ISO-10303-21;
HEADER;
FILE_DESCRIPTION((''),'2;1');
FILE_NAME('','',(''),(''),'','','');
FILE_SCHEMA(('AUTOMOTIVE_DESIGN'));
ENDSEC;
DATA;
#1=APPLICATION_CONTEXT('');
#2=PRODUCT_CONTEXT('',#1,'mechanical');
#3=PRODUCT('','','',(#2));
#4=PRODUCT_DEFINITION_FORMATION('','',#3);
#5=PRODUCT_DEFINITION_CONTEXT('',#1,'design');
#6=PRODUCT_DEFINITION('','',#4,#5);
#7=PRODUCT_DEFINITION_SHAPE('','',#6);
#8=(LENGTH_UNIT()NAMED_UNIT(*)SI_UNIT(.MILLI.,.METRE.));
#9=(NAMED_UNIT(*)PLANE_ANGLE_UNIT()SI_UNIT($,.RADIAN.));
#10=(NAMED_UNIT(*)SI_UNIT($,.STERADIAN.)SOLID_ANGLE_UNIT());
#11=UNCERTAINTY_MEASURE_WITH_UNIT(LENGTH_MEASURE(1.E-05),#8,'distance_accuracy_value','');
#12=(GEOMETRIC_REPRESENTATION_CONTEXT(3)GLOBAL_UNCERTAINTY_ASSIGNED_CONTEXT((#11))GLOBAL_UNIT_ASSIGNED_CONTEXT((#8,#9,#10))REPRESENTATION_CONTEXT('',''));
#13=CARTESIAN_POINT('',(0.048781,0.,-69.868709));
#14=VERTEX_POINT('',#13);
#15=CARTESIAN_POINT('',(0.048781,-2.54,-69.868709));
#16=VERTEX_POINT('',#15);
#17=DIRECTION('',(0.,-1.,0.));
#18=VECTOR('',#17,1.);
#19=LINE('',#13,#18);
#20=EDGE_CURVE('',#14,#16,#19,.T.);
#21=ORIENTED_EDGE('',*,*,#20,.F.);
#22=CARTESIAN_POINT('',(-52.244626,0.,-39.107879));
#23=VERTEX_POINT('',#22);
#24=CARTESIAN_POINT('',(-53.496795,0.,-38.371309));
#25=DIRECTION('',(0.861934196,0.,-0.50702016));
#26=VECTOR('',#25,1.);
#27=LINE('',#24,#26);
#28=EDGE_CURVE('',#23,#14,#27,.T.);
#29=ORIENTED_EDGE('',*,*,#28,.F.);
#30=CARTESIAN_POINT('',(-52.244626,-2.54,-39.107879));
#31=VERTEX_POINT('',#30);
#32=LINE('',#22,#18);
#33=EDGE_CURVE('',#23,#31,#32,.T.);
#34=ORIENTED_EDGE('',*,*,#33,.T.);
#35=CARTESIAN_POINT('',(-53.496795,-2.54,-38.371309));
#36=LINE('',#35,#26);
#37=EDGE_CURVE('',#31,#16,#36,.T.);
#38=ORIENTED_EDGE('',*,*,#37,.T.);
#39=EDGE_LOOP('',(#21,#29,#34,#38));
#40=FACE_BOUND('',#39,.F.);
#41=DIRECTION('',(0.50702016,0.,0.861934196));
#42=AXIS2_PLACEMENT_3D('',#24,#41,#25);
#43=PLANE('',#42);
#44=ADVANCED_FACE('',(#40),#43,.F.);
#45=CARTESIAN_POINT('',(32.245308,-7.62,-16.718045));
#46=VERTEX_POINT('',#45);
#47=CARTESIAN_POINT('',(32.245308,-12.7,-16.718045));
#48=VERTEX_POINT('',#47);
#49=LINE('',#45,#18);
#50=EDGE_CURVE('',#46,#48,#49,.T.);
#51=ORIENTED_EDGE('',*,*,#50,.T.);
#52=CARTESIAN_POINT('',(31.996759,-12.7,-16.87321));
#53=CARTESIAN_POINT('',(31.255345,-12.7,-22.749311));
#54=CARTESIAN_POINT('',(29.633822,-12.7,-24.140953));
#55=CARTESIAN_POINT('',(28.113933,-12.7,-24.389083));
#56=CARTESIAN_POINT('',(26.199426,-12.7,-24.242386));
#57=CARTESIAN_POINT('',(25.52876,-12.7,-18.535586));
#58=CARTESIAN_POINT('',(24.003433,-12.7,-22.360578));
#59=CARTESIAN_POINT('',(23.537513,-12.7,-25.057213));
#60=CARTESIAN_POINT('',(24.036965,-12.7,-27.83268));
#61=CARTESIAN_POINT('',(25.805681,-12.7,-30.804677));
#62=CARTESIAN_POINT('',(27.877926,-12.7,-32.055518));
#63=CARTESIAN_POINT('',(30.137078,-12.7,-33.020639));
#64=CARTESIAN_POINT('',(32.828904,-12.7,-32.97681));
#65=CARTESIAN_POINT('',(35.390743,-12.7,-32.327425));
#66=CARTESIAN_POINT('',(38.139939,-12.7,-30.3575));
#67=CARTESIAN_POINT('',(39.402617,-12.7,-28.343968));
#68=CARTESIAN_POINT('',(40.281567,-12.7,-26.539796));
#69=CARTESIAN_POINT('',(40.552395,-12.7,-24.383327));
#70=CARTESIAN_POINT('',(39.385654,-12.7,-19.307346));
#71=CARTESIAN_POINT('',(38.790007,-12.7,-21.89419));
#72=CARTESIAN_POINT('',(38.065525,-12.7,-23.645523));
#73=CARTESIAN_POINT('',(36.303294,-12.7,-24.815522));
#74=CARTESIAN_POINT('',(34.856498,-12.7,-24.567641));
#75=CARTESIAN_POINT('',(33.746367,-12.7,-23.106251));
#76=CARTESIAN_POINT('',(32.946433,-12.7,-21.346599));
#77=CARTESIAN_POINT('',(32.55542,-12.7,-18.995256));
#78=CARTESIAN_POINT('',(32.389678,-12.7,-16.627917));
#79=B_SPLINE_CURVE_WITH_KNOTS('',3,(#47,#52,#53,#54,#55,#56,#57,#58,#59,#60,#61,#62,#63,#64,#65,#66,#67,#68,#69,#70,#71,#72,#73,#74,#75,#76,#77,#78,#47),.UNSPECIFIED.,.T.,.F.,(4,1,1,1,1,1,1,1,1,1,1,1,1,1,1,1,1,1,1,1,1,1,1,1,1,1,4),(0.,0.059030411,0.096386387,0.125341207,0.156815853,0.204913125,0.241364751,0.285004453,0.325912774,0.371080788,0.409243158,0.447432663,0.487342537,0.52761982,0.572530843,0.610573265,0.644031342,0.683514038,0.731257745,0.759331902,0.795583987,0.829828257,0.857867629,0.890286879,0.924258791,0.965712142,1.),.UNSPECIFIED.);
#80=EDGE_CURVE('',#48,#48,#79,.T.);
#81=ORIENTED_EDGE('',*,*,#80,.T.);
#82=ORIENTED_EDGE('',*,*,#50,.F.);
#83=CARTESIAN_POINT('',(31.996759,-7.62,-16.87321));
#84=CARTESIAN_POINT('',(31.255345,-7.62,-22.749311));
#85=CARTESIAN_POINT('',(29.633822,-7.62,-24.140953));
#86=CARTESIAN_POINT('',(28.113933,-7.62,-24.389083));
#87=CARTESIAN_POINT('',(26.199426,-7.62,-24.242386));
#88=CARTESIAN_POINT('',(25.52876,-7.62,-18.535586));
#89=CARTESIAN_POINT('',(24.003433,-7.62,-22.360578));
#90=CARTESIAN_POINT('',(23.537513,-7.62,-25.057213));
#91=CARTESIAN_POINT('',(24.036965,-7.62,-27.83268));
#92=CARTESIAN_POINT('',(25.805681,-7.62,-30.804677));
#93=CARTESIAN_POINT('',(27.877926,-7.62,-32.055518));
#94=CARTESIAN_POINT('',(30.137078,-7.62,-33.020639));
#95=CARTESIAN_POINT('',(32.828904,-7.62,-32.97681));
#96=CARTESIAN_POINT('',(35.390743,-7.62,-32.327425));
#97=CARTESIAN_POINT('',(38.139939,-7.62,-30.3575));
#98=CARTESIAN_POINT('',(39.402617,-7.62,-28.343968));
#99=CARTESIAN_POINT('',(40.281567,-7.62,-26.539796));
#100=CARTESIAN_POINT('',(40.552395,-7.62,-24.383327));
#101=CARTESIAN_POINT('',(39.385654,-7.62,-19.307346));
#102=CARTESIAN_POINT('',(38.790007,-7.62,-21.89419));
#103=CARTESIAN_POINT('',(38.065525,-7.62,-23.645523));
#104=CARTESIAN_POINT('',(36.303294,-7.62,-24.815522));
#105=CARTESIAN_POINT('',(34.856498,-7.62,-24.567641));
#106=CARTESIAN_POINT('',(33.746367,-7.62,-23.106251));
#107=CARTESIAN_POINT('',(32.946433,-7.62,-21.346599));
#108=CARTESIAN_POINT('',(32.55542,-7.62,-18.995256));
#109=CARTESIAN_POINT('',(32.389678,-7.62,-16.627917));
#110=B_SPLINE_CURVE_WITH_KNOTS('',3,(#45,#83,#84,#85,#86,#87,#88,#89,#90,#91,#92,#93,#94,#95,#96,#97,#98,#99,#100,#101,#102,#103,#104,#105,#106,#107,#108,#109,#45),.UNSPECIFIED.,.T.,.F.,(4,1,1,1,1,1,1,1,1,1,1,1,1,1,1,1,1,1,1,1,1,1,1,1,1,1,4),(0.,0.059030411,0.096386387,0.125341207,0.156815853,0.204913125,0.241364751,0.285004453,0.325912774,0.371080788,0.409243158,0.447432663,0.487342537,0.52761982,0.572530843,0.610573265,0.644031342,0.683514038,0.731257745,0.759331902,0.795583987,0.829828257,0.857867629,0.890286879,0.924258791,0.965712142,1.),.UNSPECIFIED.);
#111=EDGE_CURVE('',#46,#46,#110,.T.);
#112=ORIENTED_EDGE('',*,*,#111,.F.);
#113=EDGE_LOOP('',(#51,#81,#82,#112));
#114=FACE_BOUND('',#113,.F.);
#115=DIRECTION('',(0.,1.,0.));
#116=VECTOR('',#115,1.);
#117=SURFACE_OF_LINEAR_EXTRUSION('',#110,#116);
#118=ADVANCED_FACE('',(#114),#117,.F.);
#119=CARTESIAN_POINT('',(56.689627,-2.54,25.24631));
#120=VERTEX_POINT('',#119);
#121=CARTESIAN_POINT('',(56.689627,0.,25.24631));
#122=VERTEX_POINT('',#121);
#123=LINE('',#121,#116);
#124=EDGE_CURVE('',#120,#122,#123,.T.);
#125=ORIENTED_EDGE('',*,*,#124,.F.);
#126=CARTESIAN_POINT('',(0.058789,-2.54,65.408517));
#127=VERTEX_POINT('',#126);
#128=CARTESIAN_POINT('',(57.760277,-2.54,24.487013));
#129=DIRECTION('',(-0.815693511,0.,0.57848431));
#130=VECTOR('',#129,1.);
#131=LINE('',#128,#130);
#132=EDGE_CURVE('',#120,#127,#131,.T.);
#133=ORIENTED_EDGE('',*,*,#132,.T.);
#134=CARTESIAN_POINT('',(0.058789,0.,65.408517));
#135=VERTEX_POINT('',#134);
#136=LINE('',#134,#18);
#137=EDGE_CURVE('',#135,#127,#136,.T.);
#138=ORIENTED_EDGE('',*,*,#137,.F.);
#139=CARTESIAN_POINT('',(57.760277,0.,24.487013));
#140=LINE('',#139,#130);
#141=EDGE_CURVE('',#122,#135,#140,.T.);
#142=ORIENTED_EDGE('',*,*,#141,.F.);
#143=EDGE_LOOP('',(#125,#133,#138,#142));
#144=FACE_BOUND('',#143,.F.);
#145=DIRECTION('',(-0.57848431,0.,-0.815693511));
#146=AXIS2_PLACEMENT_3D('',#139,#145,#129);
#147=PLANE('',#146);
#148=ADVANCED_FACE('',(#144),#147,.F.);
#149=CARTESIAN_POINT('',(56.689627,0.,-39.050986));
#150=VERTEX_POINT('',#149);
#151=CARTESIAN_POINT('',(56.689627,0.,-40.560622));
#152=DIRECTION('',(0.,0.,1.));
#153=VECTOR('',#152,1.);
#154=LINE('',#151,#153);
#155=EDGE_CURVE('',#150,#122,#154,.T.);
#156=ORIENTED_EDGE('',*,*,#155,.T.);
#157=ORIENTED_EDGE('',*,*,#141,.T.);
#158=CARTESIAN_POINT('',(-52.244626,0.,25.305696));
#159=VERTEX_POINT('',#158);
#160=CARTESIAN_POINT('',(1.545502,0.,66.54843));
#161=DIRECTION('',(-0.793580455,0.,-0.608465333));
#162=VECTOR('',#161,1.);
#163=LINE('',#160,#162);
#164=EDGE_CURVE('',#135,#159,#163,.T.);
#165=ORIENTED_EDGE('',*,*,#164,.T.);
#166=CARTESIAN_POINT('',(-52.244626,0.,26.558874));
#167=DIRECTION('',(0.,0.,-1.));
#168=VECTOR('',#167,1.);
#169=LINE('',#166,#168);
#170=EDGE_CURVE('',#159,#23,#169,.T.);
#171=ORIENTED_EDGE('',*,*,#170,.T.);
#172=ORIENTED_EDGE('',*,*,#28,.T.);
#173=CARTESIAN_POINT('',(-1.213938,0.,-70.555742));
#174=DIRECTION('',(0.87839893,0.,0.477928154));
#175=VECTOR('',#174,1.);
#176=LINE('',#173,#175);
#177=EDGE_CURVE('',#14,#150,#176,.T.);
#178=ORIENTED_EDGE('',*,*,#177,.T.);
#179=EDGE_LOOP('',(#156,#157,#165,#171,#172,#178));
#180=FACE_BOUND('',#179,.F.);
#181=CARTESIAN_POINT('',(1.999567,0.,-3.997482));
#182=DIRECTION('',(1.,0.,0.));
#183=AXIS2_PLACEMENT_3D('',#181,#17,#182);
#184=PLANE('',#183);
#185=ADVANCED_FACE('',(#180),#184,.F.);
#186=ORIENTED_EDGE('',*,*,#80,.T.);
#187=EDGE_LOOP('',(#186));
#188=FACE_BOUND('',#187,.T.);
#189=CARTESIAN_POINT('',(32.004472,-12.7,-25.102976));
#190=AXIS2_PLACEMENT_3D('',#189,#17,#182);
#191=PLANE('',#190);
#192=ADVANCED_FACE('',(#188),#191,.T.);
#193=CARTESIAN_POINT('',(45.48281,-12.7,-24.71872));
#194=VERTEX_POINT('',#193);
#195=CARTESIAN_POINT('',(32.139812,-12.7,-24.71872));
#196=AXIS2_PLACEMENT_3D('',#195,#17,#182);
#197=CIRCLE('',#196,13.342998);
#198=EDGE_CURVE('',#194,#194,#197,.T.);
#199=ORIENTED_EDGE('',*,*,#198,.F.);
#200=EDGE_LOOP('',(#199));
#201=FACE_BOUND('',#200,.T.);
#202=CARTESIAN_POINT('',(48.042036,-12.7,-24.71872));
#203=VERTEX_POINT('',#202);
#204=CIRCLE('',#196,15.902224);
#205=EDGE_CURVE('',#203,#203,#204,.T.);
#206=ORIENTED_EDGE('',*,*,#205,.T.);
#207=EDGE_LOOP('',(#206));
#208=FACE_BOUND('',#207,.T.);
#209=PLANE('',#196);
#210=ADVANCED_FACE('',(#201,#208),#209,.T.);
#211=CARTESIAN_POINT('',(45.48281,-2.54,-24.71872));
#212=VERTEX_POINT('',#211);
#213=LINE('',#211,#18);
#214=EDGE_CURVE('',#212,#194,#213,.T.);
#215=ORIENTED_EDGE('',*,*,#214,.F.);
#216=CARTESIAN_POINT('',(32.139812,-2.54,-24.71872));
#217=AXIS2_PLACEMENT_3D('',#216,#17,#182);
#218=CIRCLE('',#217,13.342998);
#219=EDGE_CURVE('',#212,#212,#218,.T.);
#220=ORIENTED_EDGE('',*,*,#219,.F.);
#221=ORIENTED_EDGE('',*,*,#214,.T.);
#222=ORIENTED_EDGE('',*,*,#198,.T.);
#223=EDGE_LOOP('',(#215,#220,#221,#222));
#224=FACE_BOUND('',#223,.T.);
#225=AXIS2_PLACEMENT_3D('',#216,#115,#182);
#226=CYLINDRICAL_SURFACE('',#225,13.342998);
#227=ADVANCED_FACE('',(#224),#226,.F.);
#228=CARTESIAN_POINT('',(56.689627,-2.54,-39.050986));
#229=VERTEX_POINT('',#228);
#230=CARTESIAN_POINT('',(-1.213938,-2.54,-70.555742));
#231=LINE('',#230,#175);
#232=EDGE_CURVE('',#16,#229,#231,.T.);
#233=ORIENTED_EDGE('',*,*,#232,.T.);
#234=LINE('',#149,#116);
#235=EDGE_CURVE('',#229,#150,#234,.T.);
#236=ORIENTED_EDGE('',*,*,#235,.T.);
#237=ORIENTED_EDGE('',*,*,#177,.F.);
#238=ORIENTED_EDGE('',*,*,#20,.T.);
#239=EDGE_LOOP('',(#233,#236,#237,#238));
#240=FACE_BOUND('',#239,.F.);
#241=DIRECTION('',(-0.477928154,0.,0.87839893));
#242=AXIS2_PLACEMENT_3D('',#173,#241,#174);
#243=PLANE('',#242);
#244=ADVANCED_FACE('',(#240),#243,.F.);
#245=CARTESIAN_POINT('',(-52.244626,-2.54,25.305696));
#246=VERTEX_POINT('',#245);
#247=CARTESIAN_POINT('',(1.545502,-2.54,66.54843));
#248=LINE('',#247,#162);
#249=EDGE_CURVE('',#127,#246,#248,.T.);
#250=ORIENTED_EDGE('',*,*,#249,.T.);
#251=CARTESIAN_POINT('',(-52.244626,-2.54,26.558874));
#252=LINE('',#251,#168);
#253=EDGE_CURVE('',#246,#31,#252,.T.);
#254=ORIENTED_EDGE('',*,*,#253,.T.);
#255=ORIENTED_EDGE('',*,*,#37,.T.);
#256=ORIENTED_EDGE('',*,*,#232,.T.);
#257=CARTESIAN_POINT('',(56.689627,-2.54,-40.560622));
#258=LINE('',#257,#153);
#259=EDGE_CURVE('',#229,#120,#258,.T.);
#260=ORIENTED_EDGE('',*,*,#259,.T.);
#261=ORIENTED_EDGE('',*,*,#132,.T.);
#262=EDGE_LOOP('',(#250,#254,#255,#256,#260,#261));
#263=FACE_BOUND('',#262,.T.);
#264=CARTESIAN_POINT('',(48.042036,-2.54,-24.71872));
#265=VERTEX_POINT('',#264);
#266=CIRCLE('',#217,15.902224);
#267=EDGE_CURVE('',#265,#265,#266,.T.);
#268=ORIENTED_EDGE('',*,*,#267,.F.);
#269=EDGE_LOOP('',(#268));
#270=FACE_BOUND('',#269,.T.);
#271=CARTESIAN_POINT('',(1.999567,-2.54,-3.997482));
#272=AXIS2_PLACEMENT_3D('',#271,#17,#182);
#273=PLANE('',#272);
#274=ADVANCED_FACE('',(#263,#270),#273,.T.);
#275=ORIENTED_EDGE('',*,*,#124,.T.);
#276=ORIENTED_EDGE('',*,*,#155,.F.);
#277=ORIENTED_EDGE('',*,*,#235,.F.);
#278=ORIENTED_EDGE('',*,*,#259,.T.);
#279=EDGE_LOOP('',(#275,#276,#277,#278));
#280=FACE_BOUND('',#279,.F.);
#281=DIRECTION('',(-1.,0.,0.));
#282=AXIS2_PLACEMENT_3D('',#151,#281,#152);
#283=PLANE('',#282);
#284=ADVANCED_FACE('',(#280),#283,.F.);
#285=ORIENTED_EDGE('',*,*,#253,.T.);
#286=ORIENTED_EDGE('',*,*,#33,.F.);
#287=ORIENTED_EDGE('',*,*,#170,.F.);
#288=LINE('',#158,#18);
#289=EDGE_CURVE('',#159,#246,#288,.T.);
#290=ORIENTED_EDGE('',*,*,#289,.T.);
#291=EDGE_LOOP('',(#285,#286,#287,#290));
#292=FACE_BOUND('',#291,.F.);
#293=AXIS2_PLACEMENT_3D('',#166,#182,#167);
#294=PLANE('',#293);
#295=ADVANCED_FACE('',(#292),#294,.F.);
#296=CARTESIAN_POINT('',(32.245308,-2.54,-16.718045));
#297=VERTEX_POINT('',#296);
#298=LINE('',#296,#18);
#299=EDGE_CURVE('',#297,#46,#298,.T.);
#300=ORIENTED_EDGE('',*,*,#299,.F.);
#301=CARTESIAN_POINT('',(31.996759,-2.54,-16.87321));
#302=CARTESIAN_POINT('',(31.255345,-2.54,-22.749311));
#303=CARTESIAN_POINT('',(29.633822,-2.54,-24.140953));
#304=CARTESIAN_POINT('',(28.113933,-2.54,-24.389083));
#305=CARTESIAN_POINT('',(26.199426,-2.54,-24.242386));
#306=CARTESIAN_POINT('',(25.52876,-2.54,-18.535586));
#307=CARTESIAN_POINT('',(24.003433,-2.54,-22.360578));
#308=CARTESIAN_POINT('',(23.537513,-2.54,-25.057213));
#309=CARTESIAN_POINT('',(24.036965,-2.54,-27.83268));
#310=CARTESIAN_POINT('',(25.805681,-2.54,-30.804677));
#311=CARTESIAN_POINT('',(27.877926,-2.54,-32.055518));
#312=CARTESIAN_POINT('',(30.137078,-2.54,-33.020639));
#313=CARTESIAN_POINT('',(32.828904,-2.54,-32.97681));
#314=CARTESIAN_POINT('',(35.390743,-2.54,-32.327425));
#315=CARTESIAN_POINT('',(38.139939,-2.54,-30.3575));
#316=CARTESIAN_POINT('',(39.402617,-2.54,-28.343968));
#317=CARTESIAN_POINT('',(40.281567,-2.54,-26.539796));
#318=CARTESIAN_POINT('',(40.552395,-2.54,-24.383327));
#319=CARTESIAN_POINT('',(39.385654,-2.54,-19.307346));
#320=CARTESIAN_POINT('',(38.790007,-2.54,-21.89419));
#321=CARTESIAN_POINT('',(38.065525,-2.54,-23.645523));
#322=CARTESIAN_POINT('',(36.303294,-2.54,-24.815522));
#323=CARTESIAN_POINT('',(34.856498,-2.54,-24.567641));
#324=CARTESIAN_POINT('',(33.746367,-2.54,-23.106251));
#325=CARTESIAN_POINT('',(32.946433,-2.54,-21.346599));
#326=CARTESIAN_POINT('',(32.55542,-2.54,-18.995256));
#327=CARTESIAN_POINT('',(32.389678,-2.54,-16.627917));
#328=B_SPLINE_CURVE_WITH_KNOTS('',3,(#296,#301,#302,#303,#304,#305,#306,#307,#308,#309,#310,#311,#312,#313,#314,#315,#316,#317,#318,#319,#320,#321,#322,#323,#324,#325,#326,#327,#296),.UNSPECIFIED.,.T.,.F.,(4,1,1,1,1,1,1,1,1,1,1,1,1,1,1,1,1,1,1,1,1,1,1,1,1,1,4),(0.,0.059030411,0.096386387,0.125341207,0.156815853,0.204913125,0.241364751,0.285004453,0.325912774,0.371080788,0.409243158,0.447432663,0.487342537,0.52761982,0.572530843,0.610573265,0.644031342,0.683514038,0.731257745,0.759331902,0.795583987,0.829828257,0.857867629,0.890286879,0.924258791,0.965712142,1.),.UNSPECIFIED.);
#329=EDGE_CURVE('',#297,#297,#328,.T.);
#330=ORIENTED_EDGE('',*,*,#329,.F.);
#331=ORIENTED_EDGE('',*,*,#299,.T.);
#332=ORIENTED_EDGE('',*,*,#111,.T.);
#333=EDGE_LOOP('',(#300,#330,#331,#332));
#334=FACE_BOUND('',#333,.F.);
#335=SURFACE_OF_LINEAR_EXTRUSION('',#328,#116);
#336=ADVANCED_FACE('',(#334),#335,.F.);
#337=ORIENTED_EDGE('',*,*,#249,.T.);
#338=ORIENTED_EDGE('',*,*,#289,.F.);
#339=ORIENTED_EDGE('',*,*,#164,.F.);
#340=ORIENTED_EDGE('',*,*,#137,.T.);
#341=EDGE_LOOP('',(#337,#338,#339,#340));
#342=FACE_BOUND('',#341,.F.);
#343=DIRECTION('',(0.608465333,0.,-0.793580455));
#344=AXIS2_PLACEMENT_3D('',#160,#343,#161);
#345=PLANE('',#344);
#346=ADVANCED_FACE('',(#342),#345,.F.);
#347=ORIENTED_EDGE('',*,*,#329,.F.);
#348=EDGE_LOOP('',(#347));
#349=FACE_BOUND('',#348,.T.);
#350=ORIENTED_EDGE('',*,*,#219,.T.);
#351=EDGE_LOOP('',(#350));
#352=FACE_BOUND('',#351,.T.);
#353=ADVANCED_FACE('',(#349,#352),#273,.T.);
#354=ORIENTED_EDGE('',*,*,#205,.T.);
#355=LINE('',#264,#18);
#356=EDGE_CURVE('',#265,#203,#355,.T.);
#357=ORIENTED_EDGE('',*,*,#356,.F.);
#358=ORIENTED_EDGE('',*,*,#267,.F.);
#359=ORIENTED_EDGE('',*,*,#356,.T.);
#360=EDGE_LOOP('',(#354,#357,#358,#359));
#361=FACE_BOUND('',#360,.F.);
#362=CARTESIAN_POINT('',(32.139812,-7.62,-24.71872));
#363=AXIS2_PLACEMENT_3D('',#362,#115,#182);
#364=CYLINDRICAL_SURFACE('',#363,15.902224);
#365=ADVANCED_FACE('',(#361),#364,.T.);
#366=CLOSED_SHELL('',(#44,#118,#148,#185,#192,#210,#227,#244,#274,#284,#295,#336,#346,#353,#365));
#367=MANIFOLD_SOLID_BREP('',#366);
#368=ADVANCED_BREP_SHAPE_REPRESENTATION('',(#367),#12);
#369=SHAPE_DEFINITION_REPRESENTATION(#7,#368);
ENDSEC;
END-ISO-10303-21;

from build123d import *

# Parameters (mm, degrees)
F1_DEPTH  = 12.7
F2_DEPTH  = 2.54
F3_DEPTH  = 7.62
F4_DEPTH  = 2.54
F5_DEPTH  = 2.54
F6_DEPTH  = 2.54
F7_DEPTH  = 2.54
F8_DEPTH  = 2.54
F9_DEPTH  = 2.54
F10_R     = 15.9022238719
F10_R_2   = 13.3429981352
F11_DEPTH = 5.08
F12_DEPTH = 5.08


with BuildPart() as f1:
    # F0 (on Front) → F1 (new body)
    with BuildSketch(Plane.XZ):
        Polygon((59.2296272516, 26.558874175), (0, 68.5641244054), (-54.7846257687, 26.558874175), (-54.7846257687, -40.5606217682), (0, -72.7868750691), (59.2296272516, -40.5606217682), align=None)
    extrude(amount=F1_DEPTH)

    # F2 (cut): a face of the model
    f2_faces = [f1.faces().sort_by_distance(p)[0] for p in [
        (1.9587071028, -12.7, -4.2659517496),
    ]]
    extrude(f2_faces, amount=-F2_DEPTH, mode=Mode.SUBTRACT)

    # F3 (cut): a face of the model
    f3_faces = [f1.faces().sort_by_distance(p)[0] for p in [
        (1.9587071028, -10.16, -4.2659517496),
    ]]
    extrude(f3_faces, amount=-F3_DEPTH, mode=Mode.SUBTRACT)

    # F4 (cut): a face of the model
    f4_faces = [f1.faces().sort_by_distance(p)[0] for p in [
        (29.6148136258, -1.27, 47.5614992902),
    ]]
    extrude(f4_faces, amount=-F4_DEPTH, mode=Mode.SUBTRACT)

    # F5 (cut): a face of the model
    f5_faces = [f1.faces().sort_by_distance(p)[0] for p in [
        (-27.3923128843, -1.27, 47.5614992902),
    ]]
    extrude(f5_faces, amount=-F5_DEPTH, mode=Mode.SUBTRACT)

    # F6 (cut): a face of the model
    f6_faces = [f1.faces().sort_by_distance(p)[0] for p in [
        (59.2296272516, -1.27, -7.0008737966),
    ]]
    extrude(f6_faces, amount=-F6_DEPTH, mode=Mode.SUBTRACT)

    # F7 (cut): a face of the model
    f7_faces = [f1.faces().sort_by_distance(p)[0] for p in [
        (-54.7846257687, -1.27, -7.0008737966),
    ]]
    extrude(f7_faces, amount=-F7_DEPTH, mode=Mode.SUBTRACT)

    # F8 (cut): a face of the model
    f8_faces = [f1.faces().sort_by_distance(p)[0] for p in [
        (-27.3923128843, -1.27, -56.6737484187),
    ]]
    extrude(f8_faces, amount=-F8_DEPTH, mode=Mode.SUBTRACT)

    # F9 (cut): a face of the model
    f9_faces = [f1.faces().sort_by_distance(p)[0] for p in [
        (29.6148136258, -1.27, -56.6737484187),
    ]]
    extrude(f9_faces, amount=-F9_DEPTH, mode=Mode.SUBTRACT)

    # F10 (on face) → F11 (join)
    with BuildSketch(Plane.XZ.offset(2.54)):
        with Locations((32.1398116648, -24.7187204659)):
            Circle(F10_R)
        with Locations((32.1398116648, -24.7187204659)):
            Circle(F10_R_2, mode=Mode.SUBTRACT)
        with BuildLine():
            add(Edge.make_bspline(
                [(32.2453081608, -16.7180448771), (31.9967586668, -16.8732101891), (31.2553448326, -22.7493113078), (29.6338220491, -24.1409534673), (28.1139334931, -24.3890826891), (26.199426082, -24.2423857248), (25.5287597264, -18.5355862879), (24.0034328687, -22.3605775815), (23.5375125485, -25.05721339), (24.0369653, -27.8326799174), (25.8056812458, -30.8046773764), (27.8779257654, -32.0555182819), (30.1370784504, -33.0206385013), (32.8289040098, -32.9768103912), (35.3907426171, -32.3274248149), (38.1399393913, -30.3575004256), (39.4026172261, -28.3439675485), (40.2815668907, -26.5397957163), (40.5523953542, -24.3833271325), (39.3856537519, -19.3073458822), (38.7900072269, -21.8941903979), (38.0655253549, -23.6455233211), (36.3032942086, -24.8155218063), (34.8564977863, -24.5676408285), (33.7463673818, -23.1062512051), (32.9464331953, -21.3465993085), (32.555419893, -18.9952556484), (32.3896783172, -16.6279169914), (32.2453081608, -16.7180448771)],
                knots=[0, 0, 0, 0, 0.0590304115, 0.096386387, 0.1253412072, 0.1568158531, 0.2049131251, 0.2413647512, 0.2850044532, 0.3259127741, 0.3710807882, 0.409243158, 0.4474326626, 0.4873425366, 0.5276198195, 0.5725308429, 0.6105732646, 0.6440313416, 0.6835140383, 0.7312577453, 0.7593319016, 0.7955839871, 0.8298282567, 0.8578676289, 0.890286879, 0.9242587912, 0.9657121421, 1, 1, 1, 1], degree=3))
        make_face()
    extrude(amount=F11_DEPTH)

    # F12 (add): faces of the model
    f12_faces = [f1.faces().sort_by_distance(p)[0] for p in [
        (31.8565257611, -7.62, -26.8927989105),
        (16.6873706063, -7.62, -24.7187204659),
    ]]
    extrude(f12_faces, amount=F12_DEPTH)


solid = f1.part
